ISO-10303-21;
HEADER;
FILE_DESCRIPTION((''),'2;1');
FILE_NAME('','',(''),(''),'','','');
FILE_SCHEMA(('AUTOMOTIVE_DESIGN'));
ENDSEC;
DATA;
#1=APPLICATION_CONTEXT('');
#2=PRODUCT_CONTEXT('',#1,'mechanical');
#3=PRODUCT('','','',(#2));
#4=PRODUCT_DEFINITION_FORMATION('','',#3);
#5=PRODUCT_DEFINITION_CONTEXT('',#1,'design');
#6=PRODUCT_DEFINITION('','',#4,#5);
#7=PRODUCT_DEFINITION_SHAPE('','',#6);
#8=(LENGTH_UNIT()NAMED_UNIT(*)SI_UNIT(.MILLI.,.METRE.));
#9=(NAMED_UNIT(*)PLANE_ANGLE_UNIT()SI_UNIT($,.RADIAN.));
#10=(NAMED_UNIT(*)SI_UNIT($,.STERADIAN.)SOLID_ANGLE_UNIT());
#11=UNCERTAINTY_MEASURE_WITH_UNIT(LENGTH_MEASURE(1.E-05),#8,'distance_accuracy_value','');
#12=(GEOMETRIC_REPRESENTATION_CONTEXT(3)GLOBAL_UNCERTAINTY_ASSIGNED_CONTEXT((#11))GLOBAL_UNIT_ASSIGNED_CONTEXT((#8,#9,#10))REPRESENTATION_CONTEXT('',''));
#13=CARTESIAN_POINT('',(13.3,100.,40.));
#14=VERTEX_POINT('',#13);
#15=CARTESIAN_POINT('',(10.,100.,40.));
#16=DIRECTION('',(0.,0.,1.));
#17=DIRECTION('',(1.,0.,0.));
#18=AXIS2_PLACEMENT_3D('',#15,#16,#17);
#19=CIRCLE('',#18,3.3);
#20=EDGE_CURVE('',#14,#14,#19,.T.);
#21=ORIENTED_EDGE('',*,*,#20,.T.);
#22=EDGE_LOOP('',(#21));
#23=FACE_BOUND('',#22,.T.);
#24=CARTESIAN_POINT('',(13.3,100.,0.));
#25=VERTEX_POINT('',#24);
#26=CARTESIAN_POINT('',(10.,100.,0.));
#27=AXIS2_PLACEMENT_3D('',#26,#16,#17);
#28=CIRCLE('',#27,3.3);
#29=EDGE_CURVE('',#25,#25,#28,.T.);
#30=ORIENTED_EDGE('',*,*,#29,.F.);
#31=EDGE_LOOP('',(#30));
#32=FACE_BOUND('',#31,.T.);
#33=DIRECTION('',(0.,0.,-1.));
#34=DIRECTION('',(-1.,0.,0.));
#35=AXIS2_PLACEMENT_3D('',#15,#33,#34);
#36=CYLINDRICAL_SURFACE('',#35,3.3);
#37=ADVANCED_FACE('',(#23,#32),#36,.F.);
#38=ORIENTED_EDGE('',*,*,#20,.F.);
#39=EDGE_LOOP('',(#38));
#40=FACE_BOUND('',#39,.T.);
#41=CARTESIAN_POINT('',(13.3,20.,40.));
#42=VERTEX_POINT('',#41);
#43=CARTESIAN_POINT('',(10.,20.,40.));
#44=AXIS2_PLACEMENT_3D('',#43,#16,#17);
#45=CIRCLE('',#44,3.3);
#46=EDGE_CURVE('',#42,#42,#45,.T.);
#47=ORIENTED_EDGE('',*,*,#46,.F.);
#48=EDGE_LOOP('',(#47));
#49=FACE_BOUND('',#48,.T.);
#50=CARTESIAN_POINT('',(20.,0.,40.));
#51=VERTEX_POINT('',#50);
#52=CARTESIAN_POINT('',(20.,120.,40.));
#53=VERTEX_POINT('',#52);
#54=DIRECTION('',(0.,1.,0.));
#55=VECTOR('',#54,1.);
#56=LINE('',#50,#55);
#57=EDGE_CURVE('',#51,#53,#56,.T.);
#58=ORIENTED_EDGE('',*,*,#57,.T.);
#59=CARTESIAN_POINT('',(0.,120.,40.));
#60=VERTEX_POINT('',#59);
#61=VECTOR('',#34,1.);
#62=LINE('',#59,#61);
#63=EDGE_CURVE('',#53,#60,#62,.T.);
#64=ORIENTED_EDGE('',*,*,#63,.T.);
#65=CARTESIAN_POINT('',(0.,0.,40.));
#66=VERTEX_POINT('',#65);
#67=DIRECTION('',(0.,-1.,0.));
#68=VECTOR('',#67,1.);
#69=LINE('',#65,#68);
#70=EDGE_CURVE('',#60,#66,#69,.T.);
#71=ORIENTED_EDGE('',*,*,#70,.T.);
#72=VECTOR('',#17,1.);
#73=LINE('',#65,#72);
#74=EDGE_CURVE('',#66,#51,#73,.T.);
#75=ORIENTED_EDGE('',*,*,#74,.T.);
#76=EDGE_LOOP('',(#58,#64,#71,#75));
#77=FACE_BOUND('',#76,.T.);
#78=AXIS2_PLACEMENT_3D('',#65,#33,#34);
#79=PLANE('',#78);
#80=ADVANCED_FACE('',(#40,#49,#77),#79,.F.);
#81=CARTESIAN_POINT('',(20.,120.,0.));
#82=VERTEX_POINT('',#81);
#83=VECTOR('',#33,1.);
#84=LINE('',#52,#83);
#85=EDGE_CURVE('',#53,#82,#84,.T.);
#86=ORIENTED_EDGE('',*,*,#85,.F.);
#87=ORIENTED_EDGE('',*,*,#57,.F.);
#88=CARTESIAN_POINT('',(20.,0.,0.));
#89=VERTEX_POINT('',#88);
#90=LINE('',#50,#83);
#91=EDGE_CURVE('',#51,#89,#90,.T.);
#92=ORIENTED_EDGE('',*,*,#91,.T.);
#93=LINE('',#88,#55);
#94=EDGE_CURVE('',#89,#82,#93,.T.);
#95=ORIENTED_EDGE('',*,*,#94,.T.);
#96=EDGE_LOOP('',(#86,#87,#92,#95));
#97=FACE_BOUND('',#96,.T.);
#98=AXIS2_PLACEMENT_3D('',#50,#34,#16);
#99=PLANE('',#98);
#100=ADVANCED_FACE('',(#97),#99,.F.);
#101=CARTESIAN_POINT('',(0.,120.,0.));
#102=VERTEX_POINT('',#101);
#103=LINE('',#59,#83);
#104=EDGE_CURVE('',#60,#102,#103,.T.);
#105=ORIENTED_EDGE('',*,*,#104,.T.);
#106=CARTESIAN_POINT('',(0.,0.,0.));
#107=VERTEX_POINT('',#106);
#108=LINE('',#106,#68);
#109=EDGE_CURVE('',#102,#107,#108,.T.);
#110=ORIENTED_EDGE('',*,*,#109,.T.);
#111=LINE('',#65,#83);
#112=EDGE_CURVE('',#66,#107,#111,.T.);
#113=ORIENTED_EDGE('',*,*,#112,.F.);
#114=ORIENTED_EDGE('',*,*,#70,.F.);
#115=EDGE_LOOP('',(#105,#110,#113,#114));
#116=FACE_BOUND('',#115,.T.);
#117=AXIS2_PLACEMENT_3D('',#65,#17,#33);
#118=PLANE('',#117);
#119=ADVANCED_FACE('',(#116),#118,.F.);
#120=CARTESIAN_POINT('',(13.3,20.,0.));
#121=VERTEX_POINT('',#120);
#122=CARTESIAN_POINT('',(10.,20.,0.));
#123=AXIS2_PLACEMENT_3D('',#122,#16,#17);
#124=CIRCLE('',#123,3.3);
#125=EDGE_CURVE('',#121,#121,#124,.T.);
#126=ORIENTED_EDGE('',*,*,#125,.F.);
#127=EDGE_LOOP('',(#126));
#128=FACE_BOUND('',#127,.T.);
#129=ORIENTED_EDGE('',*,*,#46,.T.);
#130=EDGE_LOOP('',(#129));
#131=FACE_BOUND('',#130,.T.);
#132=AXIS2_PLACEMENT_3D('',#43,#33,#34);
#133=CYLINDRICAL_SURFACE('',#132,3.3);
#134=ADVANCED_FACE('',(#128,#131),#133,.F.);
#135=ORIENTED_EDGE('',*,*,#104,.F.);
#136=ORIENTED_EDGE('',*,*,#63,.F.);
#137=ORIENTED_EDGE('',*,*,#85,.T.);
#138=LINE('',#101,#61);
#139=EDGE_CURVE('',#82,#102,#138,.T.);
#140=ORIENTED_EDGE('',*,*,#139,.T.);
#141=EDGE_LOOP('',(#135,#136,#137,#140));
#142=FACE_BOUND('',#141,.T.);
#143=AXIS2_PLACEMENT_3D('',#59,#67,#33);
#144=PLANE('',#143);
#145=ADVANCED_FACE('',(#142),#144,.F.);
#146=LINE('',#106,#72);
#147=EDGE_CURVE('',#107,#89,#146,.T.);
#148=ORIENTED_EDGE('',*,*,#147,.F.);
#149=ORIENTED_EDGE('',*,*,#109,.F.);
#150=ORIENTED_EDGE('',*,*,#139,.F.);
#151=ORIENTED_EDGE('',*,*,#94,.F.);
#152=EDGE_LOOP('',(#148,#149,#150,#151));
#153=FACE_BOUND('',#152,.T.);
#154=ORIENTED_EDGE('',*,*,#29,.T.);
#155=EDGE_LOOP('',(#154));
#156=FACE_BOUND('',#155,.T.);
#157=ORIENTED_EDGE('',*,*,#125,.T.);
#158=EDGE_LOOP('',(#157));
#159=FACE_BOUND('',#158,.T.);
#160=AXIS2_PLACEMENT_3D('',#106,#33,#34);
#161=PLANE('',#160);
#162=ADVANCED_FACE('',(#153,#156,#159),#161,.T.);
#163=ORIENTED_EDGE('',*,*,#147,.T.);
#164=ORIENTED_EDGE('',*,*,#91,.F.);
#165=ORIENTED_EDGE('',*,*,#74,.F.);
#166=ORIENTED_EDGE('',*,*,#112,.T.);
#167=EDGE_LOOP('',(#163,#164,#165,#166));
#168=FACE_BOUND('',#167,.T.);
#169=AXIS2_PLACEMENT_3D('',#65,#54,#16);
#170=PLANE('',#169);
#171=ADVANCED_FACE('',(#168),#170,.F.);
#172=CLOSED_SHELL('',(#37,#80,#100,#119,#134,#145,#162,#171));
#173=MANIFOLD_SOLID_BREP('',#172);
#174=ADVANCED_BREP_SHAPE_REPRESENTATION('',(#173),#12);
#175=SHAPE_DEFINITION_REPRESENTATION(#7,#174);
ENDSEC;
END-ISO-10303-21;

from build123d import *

# Parameters (mm, degrees)
SKETCH_1_W                = 20
SKETCH_1_H                = 120
SKETCH_1_R                = 3.3
FIXED_JAW_20X120X40_DEPTH = 40


with BuildPart() as part:
    # 草图1 → Fixed_jaw_20x120x40 (new body)
    with BuildSketch(Plane.XY):
        with Locations((10, 60)):
            Rectangle(SKETCH_1_W, SKETCH_1_H)
        with Locations((10, 20)):
            Circle(SKETCH_1_R, mode=Mode.SUBTRACT)
        with Locations((10, 100)):
            Circle(SKETCH_1_R, mode=Mode.SUBTRACT)
    extrude(amount=FIXED_JAW_20X120X40_DEPTH)


solid = part.part
